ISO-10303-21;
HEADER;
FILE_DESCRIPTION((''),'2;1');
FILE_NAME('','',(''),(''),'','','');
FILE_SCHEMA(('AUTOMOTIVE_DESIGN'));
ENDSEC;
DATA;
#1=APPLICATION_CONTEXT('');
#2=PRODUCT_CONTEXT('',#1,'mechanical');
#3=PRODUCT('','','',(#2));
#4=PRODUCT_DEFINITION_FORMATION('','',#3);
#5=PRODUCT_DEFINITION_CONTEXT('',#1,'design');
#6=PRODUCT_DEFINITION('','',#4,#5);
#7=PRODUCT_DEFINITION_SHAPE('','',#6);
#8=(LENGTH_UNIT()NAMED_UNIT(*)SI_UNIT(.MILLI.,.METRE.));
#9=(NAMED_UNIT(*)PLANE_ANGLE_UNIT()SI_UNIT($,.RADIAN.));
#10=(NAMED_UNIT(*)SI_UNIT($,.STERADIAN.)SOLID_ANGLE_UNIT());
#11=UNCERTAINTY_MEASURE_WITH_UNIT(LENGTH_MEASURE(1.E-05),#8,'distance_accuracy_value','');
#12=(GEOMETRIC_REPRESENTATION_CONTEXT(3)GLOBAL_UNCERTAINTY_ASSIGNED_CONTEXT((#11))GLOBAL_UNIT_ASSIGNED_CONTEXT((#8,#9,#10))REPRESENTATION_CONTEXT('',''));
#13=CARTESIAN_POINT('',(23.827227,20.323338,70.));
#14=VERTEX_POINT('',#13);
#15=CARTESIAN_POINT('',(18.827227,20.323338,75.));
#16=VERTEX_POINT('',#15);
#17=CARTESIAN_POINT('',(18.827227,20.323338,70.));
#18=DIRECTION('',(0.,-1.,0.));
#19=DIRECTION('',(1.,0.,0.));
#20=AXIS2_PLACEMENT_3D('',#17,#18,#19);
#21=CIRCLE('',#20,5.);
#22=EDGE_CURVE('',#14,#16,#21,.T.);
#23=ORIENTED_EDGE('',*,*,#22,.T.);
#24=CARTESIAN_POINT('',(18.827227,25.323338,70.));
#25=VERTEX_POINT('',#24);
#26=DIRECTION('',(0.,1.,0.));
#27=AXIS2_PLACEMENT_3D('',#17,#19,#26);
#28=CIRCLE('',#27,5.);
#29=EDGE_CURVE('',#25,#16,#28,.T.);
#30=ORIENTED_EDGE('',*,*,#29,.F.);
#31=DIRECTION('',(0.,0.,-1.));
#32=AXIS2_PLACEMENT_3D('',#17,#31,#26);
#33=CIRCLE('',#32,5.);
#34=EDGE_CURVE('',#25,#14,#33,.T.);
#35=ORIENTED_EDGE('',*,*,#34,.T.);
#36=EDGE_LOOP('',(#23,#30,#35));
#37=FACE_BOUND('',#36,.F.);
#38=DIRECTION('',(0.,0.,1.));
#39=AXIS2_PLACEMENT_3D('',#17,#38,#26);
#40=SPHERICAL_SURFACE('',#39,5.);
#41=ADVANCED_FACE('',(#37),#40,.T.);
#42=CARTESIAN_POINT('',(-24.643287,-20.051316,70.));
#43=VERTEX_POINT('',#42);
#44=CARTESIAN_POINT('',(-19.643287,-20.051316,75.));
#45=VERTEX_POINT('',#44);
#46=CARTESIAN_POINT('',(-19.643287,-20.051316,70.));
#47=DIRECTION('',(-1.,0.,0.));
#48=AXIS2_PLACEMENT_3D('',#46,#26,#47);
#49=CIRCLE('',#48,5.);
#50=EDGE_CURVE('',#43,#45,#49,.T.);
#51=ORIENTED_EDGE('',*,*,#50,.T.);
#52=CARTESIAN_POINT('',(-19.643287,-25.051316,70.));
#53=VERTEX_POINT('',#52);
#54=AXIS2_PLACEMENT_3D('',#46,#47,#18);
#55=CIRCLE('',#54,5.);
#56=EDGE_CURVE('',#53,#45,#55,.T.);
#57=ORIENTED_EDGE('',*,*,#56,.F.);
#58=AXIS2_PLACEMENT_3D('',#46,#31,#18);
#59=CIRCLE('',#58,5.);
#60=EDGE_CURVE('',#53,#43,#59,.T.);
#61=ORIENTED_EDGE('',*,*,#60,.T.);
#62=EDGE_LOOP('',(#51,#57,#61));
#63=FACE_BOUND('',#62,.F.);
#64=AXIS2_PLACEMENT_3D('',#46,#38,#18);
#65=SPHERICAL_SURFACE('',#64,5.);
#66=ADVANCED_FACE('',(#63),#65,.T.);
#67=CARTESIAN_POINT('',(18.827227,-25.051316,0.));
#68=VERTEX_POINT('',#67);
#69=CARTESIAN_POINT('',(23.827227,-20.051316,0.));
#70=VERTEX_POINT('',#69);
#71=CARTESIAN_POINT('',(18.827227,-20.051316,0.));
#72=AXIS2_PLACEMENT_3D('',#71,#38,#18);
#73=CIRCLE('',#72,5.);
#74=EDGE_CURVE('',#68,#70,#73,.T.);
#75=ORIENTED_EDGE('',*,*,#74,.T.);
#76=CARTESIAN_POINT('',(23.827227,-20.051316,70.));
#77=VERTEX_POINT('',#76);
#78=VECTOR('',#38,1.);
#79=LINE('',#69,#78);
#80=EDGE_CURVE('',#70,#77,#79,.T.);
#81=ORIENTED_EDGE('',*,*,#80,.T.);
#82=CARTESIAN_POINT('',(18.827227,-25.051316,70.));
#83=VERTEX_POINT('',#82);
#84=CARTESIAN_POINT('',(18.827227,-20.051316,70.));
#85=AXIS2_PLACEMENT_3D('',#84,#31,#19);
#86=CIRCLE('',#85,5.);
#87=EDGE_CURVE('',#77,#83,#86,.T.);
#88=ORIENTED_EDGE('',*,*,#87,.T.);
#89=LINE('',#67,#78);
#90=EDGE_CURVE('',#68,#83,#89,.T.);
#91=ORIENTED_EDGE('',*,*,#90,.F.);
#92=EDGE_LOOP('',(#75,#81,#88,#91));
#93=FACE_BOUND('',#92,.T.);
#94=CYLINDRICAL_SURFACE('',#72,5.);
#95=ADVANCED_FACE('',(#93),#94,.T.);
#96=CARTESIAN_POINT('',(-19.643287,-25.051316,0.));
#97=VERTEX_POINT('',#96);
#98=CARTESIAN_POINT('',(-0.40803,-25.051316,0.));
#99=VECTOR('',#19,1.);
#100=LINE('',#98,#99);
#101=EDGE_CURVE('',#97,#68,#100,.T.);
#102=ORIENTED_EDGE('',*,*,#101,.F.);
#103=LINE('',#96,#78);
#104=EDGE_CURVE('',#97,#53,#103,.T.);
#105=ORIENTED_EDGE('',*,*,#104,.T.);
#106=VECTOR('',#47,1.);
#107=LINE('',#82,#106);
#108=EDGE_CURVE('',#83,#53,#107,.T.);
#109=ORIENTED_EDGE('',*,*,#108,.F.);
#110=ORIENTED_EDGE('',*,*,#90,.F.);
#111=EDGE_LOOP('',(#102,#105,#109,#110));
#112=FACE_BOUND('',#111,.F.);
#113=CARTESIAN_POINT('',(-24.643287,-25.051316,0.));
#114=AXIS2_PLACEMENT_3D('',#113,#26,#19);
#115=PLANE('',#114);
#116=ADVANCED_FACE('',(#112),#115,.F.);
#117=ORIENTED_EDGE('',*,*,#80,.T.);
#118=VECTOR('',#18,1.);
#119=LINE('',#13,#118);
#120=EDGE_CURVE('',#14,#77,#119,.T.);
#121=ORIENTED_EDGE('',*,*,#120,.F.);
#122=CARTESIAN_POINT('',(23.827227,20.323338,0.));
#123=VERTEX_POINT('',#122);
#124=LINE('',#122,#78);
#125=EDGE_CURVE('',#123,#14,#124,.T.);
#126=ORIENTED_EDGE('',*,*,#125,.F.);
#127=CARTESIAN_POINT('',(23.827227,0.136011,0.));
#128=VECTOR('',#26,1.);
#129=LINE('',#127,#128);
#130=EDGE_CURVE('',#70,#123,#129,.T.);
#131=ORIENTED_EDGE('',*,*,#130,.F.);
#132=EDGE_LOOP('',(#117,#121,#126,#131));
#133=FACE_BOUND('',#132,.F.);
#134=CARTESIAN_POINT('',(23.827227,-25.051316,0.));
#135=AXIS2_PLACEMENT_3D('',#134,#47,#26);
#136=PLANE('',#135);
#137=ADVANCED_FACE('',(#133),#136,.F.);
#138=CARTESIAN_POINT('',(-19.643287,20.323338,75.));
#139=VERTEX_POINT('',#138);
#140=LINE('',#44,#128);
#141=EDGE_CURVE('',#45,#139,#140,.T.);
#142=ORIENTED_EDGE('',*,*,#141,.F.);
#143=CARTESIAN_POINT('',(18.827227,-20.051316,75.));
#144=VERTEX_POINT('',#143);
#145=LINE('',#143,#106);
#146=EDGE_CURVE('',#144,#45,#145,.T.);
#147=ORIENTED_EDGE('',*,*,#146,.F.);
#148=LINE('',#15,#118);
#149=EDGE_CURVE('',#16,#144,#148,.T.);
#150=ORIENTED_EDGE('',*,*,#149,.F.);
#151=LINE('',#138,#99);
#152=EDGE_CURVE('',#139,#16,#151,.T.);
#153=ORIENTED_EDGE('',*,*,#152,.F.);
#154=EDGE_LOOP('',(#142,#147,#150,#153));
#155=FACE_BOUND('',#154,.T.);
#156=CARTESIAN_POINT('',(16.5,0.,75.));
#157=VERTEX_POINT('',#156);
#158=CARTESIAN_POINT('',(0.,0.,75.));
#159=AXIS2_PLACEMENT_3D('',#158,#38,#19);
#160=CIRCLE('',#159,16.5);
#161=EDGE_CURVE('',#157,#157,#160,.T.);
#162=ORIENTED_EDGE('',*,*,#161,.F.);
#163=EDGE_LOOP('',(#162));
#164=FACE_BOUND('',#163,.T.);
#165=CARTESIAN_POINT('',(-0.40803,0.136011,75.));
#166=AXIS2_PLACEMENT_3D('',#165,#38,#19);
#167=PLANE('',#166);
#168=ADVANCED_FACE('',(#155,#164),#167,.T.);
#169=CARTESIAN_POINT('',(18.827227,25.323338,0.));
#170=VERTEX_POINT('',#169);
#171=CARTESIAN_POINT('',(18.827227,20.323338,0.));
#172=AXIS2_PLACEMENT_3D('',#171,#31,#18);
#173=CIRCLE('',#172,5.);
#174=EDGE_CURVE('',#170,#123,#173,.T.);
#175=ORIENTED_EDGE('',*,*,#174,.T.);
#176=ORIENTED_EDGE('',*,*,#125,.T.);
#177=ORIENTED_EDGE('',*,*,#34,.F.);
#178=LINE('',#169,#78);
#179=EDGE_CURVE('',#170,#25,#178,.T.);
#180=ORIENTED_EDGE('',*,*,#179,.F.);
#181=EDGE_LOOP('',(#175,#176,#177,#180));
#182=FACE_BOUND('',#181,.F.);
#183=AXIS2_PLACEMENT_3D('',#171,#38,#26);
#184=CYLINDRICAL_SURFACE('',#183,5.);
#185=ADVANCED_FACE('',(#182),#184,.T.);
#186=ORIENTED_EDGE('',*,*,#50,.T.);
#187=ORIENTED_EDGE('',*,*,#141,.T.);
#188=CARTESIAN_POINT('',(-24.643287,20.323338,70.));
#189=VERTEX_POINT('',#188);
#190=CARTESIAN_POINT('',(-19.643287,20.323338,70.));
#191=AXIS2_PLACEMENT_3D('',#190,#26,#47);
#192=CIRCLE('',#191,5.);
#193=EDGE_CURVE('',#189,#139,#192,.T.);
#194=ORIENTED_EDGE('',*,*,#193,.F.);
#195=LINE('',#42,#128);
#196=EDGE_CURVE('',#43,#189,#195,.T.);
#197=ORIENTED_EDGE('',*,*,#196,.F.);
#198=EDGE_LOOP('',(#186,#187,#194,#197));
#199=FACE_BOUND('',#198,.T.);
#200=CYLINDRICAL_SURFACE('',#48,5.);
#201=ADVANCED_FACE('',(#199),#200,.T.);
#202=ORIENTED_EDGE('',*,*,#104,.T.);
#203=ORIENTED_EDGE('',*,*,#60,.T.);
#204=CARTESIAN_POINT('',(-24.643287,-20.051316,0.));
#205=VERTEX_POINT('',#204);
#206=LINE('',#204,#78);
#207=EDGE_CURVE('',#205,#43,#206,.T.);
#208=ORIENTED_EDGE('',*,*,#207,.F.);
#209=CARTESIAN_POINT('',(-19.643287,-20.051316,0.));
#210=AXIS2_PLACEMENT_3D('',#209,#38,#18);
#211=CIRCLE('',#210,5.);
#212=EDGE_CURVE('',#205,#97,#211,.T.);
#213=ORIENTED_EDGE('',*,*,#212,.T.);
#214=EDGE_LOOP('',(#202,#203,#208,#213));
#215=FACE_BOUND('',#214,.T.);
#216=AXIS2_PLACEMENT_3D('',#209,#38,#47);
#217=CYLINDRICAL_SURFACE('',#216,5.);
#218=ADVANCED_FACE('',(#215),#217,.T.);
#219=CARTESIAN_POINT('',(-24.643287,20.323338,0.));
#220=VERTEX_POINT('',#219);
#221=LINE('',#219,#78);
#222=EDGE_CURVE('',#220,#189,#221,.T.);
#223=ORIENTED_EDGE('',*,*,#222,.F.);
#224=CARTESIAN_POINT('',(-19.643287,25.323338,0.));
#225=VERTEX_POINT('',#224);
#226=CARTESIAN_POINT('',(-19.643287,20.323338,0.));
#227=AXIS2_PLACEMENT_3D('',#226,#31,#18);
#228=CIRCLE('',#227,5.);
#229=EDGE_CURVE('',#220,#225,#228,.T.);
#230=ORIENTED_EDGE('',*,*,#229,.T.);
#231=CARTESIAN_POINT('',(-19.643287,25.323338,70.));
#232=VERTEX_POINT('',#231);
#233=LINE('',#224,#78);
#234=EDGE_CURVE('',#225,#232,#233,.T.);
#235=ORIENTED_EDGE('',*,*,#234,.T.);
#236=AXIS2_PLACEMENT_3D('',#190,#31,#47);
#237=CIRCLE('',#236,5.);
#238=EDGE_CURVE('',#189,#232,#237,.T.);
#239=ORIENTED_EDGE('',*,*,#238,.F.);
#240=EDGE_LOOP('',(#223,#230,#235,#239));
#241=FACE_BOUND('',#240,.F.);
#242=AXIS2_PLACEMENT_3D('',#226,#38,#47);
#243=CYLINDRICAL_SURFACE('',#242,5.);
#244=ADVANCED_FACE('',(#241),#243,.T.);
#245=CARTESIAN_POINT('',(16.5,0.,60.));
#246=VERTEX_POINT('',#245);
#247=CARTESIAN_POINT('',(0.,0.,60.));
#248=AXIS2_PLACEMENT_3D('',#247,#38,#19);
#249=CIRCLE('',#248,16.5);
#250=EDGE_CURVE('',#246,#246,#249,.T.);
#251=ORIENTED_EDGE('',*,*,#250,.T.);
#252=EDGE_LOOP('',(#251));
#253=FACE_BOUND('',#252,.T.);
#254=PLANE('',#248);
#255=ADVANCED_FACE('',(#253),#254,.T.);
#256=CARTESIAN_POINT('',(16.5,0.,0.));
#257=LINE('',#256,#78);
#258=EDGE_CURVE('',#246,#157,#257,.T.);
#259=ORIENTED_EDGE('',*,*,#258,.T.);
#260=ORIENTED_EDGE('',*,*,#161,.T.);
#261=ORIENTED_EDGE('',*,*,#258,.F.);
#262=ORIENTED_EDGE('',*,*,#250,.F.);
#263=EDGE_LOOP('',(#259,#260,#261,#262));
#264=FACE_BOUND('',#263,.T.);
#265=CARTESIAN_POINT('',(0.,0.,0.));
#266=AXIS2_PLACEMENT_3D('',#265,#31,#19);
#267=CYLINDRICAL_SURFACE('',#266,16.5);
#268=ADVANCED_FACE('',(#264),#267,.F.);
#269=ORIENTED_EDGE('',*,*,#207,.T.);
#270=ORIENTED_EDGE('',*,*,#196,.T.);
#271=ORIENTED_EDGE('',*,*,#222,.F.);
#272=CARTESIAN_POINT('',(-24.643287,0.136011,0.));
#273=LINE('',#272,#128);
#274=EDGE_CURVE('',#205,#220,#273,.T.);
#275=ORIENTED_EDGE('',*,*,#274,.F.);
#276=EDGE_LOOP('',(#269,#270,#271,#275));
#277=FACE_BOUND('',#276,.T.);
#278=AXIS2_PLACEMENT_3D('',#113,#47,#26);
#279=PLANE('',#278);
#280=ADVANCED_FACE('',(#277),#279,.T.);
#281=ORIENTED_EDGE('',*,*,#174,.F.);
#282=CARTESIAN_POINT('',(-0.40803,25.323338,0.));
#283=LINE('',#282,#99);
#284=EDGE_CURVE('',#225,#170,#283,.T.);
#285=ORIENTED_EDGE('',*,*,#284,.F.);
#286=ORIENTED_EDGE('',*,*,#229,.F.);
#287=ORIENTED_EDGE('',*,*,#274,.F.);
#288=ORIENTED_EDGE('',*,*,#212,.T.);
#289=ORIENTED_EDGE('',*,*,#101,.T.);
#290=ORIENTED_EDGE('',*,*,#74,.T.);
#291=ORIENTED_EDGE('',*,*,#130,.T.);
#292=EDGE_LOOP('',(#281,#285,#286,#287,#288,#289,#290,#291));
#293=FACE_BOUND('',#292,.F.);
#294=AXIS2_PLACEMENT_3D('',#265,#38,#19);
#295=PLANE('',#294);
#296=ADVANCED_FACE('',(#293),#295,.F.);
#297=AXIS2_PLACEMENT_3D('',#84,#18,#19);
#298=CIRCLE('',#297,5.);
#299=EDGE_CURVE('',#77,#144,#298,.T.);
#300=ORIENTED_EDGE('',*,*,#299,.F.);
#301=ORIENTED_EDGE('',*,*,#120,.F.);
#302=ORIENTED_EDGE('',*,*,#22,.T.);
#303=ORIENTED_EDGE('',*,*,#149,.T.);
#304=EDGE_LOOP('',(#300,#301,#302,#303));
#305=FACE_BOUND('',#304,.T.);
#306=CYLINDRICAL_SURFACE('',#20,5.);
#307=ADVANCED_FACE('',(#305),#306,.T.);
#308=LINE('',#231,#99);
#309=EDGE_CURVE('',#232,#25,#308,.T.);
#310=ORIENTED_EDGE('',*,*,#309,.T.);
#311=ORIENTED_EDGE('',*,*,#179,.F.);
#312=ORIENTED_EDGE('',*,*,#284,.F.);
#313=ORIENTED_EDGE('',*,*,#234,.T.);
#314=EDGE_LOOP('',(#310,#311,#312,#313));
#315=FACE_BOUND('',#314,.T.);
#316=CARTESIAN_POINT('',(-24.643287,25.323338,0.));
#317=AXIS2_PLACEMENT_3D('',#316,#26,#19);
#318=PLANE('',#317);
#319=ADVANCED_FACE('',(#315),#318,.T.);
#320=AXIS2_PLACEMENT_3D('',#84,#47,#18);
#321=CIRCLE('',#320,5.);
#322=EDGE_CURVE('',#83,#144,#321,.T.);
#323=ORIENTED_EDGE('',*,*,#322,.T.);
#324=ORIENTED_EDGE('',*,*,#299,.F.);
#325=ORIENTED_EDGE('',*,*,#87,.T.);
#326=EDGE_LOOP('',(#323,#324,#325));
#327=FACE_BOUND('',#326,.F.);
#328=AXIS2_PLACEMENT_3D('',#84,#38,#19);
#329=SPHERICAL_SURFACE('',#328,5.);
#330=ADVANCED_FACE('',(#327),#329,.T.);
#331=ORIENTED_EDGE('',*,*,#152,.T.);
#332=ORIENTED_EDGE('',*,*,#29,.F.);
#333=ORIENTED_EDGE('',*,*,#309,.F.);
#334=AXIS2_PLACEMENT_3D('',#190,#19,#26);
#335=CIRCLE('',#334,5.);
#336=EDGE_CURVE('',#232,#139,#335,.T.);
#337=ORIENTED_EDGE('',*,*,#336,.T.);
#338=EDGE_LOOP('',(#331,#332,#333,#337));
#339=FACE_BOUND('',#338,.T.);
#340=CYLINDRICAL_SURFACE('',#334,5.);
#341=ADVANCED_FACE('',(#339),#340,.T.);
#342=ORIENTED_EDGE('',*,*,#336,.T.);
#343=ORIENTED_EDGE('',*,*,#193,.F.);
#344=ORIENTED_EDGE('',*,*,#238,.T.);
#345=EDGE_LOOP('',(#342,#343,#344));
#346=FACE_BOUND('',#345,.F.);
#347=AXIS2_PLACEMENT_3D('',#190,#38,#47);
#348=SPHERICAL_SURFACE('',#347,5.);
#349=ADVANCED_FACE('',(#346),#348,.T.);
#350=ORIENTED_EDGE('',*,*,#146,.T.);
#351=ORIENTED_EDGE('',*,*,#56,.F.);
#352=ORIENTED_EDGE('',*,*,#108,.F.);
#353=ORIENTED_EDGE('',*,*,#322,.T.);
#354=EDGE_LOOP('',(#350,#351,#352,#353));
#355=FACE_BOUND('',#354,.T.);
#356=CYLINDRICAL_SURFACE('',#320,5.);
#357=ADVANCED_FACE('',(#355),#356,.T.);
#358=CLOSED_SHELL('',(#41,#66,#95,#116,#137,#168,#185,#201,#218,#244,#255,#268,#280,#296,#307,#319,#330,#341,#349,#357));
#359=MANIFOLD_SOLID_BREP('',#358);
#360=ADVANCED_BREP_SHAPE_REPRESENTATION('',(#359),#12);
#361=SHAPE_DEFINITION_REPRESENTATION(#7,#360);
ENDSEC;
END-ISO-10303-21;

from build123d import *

# Parameters (mm, degrees)
F0_W     = 48.470514
F0_H     = 50.374654
F0_R     = 16.5
F1_DEPTH = 75
F2_DEPTH = 60
F3_R     = 5
F4_R     = 5


with BuildPart() as f1:
    # F0 (on Top) → F1 (new body)
    with BuildSketch(Plane.XY):
        with Locations((-0.40803, 0.136011)):
            Rectangle(F0_W, F0_H)
        Circle(F0_R, mode=Mode.SUBTRACT)
    extrude(amount=F1_DEPTH)

    # F0 (on Top) → F2 (join)
    with BuildSketch(Plane.XY):
        Circle(F0_R)
    extrude(amount=F2_DEPTH)

    # F3
    f3_edges = [f1.edges().sort_by_distance(p)[0] for p in [
        (23.827227, 25.323338, 37.5),
        (-24.643287, 25.323338, 37.5),
        (23.827227, -25.051316, 37.5),
        (-24.643287, -25.051316, 37.5),
    ]]
    fillet(f3_edges, radius=F3_R)

    # F4
    f4_edges = [f1.edges().sort_by_distance(p)[0] for p in [
        (-0.40803, 25.323338, 75),
        (23.827227, 0.136011, 75),
        (-0.40803, -25.051316, 75),
        (-24.643287, 0.136011, 75),
    ]]
    fillet(f4_edges, radius=F4_R)


solid = f1.part
